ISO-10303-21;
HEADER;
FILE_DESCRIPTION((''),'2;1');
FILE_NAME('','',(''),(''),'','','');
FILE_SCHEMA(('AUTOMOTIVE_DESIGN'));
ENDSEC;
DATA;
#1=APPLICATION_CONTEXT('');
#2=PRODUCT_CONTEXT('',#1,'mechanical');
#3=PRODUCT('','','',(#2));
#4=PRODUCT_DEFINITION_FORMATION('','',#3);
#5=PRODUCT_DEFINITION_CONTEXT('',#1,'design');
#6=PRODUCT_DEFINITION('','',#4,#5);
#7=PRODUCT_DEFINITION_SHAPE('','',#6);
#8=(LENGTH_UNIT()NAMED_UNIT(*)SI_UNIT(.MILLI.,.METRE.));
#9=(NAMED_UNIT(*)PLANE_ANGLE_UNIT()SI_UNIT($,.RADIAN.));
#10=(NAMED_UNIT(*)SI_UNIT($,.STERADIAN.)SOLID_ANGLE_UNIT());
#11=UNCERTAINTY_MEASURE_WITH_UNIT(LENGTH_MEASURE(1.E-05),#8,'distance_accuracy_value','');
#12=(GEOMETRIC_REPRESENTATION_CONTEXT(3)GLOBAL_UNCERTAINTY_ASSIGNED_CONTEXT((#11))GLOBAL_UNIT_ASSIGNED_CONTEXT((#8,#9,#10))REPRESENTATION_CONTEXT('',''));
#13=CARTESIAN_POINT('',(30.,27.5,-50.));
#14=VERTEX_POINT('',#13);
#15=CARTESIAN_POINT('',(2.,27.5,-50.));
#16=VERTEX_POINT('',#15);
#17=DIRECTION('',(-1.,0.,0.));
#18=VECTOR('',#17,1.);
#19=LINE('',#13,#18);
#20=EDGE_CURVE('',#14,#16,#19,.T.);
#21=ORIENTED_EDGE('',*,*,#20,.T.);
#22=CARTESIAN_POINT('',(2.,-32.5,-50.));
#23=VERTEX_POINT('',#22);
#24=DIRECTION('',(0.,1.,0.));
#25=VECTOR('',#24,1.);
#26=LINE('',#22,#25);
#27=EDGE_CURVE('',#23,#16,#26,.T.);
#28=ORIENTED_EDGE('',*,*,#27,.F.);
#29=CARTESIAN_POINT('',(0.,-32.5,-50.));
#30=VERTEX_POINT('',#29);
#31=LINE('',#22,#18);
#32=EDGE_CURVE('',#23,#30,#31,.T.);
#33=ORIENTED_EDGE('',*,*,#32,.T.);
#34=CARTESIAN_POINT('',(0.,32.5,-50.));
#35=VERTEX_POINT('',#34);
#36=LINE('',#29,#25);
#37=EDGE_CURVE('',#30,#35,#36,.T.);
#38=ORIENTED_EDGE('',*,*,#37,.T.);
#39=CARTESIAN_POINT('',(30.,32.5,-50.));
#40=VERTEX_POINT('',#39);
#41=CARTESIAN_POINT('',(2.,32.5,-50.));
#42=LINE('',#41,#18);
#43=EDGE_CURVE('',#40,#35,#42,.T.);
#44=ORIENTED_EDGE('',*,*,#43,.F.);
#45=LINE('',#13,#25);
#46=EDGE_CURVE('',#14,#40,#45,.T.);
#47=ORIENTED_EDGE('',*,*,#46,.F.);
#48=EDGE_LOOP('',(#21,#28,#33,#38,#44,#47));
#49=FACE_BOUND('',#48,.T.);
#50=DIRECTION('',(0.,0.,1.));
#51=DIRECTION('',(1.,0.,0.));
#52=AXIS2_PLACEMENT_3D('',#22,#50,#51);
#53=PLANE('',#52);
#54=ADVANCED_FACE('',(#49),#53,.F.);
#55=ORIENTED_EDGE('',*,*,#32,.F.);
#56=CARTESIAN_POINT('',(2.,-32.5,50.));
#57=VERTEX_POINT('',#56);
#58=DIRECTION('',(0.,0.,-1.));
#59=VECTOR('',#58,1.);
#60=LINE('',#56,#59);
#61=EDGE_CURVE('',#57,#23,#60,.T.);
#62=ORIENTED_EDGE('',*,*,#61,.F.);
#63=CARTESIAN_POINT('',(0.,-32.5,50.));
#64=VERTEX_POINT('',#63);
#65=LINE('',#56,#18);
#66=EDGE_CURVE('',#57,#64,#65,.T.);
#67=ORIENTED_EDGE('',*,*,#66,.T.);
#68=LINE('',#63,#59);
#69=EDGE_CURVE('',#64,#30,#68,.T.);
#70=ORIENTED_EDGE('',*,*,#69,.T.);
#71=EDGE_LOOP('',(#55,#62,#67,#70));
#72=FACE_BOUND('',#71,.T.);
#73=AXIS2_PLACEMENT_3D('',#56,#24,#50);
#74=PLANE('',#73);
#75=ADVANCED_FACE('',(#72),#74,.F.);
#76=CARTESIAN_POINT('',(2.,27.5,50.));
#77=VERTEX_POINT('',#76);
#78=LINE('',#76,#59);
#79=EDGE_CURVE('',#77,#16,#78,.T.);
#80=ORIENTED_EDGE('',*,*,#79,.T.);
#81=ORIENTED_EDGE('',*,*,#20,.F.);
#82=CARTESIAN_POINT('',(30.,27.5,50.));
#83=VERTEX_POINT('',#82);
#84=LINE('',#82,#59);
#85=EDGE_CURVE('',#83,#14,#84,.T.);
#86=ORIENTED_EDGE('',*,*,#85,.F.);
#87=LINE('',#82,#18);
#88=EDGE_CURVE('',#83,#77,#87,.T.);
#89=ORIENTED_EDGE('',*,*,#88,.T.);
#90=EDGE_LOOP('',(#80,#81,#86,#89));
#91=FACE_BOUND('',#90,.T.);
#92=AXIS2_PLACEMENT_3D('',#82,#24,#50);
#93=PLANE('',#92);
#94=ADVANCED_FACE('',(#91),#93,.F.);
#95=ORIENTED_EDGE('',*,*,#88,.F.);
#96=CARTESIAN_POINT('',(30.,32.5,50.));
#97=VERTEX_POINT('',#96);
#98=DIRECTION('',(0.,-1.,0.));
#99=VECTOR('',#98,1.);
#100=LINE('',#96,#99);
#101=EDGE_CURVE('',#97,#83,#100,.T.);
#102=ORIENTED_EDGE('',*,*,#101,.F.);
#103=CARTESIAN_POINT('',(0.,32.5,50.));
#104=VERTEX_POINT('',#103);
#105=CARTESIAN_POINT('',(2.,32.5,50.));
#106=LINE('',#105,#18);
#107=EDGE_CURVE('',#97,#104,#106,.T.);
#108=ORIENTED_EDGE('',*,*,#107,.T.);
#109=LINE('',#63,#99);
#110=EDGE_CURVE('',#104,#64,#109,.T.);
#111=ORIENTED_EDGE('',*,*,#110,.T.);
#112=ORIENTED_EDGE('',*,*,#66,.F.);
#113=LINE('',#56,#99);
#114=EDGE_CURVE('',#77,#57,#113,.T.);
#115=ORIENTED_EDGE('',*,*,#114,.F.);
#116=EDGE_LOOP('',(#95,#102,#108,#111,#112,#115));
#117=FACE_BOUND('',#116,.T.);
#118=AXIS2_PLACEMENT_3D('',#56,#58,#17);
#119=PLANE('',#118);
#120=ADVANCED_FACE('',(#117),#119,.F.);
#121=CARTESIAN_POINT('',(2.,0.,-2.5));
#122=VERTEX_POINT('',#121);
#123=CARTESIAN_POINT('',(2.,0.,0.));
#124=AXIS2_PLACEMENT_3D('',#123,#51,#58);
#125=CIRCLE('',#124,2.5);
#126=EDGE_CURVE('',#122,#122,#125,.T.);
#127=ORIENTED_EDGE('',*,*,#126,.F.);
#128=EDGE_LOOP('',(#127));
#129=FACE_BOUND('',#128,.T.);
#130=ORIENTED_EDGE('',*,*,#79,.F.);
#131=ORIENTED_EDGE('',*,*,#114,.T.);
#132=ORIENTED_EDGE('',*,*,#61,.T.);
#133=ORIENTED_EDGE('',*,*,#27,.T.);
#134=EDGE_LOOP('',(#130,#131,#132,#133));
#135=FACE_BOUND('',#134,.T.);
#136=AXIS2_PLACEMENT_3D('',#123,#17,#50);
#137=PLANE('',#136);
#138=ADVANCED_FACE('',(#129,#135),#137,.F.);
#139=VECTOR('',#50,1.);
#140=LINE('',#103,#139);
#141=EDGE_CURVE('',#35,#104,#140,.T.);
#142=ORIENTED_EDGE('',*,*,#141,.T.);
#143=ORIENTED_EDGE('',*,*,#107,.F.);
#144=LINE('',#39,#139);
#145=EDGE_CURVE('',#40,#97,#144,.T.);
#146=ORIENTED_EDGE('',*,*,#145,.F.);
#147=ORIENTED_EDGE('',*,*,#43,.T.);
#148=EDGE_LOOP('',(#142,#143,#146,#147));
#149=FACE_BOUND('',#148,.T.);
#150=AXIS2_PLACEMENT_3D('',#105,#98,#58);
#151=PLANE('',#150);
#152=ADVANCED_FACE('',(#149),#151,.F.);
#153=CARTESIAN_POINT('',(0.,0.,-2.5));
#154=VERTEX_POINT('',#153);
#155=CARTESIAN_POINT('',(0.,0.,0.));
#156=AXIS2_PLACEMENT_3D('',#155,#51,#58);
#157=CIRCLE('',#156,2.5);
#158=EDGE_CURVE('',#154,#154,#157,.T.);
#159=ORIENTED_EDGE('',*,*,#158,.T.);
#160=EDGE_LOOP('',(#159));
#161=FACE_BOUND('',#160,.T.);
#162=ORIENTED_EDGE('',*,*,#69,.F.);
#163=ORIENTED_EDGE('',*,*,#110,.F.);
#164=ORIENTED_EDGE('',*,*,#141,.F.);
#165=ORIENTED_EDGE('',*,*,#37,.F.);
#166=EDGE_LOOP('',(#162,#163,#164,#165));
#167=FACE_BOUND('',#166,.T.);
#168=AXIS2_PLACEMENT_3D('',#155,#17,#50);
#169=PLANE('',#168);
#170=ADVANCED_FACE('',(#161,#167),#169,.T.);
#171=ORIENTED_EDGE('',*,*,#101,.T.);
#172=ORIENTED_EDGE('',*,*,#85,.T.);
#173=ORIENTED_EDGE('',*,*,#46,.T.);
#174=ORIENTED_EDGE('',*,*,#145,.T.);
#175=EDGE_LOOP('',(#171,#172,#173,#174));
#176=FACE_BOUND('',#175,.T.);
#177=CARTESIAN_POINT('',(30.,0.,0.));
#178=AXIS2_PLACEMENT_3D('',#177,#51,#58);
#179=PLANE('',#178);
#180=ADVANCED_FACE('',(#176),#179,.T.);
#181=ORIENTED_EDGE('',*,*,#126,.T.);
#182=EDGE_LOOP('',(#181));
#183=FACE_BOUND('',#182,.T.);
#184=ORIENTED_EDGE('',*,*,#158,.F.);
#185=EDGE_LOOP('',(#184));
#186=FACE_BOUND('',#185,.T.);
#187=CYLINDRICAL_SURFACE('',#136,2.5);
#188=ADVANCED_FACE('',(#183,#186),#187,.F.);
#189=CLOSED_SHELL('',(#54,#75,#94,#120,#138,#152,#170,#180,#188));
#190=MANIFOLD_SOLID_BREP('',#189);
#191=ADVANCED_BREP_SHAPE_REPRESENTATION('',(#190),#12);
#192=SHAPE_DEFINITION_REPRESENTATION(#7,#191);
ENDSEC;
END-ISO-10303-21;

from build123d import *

# Parameters (mm, degrees)
SKETCH1_W           = 100
SKETCH1_H           = 65
SKETCH1_R           = 2.5
BOSS_EXTRUDE1_DEPTH = 2
SKETCH2_W           = 100
SKETCH2_H           = 5
BOSS_EXTRUDE2_DEPTH = 28


with BuildPart() as part:
    # Sketch1 → Boss-Extrude1 (new body)
    with BuildSketch(Plane(origin=(0, 0, 0), x_dir=(0, 0, -1), z_dir=(1, 0, 0))):
        Rectangle(SKETCH1_W, SKETCH1_H)
        Circle(SKETCH1_R, mode=Mode.SUBTRACT)
    extrude(amount=BOSS_EXTRUDE1_DEPTH)

    # Sketch2 → Boss-Extrude2 (add)
    with BuildSketch(Plane(origin=(2, 0, 0), x_dir=(0, 0, -1), z_dir=(1, 0, 0))):
        with Locations((0, 30)):
            Rectangle(SKETCH2_W, SKETCH2_H)
    extrude(amount=BOSS_EXTRUDE2_DEPTH)


solid = part.part
